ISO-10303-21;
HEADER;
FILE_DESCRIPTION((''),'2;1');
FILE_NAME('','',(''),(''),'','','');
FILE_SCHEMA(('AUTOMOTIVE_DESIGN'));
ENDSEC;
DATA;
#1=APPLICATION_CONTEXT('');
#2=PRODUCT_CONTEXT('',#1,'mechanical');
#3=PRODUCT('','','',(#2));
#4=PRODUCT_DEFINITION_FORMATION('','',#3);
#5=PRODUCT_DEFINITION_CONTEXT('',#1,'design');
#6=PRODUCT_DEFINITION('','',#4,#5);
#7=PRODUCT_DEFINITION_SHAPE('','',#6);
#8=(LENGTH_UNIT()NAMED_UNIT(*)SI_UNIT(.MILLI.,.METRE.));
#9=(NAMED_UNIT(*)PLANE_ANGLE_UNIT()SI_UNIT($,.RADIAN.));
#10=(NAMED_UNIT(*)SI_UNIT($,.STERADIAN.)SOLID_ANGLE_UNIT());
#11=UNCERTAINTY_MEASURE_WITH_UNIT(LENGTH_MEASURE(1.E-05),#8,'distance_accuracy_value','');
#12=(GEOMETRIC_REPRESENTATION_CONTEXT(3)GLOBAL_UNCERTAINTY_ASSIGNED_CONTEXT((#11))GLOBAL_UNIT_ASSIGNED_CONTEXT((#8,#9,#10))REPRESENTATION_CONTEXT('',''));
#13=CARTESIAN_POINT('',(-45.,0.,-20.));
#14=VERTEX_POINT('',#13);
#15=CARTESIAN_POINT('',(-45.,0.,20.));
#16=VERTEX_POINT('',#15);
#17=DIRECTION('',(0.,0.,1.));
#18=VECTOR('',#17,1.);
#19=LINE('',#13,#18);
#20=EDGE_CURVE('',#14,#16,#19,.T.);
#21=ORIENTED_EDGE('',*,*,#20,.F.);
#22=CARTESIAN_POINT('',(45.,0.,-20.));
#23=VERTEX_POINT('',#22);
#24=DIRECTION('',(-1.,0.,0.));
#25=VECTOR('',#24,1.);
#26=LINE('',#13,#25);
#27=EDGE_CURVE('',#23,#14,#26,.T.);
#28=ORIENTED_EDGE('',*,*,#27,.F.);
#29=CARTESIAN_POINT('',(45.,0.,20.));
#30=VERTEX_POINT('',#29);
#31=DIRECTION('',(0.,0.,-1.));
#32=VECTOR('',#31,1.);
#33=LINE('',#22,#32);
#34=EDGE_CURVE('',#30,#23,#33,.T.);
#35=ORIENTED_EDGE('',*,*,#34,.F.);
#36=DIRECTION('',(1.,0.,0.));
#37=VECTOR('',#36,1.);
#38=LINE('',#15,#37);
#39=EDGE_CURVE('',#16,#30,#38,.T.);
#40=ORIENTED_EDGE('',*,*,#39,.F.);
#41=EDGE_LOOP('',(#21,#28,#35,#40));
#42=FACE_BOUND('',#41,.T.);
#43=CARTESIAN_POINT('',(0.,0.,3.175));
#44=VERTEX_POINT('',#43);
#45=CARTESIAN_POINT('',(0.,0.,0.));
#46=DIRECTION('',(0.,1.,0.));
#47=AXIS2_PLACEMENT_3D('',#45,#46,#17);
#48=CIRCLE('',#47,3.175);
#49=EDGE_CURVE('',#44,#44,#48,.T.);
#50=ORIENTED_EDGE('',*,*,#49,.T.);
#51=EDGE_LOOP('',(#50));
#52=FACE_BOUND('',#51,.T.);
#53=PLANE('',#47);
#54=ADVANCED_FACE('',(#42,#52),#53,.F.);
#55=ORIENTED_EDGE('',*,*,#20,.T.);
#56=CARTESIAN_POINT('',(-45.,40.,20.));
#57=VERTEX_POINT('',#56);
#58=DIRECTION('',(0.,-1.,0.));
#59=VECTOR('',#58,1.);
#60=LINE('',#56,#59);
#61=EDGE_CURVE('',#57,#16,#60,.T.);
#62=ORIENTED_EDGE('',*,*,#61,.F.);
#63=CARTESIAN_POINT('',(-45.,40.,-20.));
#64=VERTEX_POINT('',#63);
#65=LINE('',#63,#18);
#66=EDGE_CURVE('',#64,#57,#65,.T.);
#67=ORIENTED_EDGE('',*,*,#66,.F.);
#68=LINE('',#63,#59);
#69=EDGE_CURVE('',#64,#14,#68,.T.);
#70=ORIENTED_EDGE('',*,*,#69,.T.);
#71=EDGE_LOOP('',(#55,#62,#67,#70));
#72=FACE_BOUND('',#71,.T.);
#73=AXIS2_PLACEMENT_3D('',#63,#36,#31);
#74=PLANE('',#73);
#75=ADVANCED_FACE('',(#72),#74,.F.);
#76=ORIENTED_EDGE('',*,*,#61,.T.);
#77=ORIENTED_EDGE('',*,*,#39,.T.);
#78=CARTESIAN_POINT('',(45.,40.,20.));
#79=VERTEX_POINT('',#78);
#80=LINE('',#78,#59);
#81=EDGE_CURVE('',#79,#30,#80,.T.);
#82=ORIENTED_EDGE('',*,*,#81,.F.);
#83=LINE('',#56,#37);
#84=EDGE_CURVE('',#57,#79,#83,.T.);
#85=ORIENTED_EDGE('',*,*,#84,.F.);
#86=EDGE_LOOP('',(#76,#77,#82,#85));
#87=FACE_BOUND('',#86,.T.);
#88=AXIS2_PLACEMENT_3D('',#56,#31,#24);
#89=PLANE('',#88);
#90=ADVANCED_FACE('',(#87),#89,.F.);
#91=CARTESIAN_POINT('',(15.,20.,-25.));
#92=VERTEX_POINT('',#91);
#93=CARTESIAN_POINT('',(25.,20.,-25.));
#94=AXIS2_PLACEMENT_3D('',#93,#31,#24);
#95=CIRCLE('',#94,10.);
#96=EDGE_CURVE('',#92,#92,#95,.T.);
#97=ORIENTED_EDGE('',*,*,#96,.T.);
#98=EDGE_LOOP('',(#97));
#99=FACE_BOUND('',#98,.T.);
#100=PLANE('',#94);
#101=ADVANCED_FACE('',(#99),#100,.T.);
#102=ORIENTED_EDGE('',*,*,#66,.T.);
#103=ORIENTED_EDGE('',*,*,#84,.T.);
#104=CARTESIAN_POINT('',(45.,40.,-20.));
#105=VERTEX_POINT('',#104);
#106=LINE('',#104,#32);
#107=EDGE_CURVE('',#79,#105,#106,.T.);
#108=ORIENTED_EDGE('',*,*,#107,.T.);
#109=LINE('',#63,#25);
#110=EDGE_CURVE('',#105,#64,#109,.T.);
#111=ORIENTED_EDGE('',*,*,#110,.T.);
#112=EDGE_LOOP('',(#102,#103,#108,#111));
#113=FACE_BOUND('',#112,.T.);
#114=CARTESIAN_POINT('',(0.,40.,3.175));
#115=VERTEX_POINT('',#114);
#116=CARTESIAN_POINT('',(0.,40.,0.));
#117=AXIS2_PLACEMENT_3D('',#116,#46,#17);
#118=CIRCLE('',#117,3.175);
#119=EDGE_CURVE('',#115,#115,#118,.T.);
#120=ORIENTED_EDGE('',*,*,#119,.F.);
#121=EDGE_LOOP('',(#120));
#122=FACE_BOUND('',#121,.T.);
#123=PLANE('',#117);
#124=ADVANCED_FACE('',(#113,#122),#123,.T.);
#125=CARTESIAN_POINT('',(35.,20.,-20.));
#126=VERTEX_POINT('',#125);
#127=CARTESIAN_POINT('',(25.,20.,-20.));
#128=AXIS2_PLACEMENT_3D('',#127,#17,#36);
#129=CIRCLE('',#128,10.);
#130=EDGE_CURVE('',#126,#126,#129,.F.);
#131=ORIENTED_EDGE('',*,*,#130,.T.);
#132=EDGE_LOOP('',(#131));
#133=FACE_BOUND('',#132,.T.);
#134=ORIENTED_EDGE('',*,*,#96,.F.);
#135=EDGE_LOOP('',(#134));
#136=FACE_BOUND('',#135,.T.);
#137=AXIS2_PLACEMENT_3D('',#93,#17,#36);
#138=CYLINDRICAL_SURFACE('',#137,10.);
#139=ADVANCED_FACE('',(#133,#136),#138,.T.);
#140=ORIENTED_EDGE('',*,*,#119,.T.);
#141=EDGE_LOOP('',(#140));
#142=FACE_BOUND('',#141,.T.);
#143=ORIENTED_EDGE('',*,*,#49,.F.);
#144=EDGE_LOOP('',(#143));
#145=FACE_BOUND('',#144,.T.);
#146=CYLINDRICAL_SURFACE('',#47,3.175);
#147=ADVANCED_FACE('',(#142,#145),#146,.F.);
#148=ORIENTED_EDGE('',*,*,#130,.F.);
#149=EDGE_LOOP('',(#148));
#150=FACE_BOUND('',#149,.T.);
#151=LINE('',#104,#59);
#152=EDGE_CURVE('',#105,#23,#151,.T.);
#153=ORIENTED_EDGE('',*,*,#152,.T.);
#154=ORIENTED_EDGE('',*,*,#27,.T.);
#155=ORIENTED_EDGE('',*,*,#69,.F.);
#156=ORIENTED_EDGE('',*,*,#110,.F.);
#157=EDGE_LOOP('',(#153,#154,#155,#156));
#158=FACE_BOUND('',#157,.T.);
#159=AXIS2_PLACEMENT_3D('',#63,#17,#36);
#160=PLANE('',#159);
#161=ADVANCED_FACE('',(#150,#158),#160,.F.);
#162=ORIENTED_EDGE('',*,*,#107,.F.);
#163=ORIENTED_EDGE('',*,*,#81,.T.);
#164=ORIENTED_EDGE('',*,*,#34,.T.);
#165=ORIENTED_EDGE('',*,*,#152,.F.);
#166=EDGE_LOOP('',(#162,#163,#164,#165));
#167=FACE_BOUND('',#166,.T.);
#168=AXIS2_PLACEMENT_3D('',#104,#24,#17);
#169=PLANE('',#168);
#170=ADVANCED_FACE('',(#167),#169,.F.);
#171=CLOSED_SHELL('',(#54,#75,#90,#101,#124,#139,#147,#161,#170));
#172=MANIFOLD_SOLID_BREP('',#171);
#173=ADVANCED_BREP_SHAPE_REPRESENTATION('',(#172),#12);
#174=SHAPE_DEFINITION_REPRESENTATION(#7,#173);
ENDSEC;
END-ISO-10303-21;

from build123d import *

# Parameters (mm, degrees)
SKETCH1_W           = 90
SKETCH1_H           = 40
BOSS_EXTRUDE1_DEPTH = 40
SKETCH2_R           = 10
BOSS_EXTRUDE2_DEPTH = 5
SKETCH3_R           = 3.175
CUT_EXTRUDE1_DEPTH  = 41


with BuildPart() as part:
    # Sketch1 → Boss-Extrude1 (new body)
    with BuildSketch(Plane(origin=(0, 0, 0), x_dir=(1, 0, 0), z_dir=(0, 1, 0))):
        Rectangle(SKETCH1_W, SKETCH1_H)
    extrude(amount=BOSS_EXTRUDE1_DEPTH)

    # Sketch2 → Boss-Extrude2 (add)
    with BuildSketch(Plane(origin=(0, 0, -20), x_dir=(-1, 0, 0), z_dir=(0, 0, -1))):
        with Locations((-25, 20)):
            Circle(SKETCH2_R)
    extrude(amount=BOSS_EXTRUDE2_DEPTH)

    # Sketch3 → Cut-Extrude1 (cut, through all)
    with BuildSketch(Plane(origin=(0, 40, 0), x_dir=(1, 0, 0), z_dir=(0, 1, 0))):
        Circle(SKETCH3_R)
    extrude(amount=-CUT_EXTRUDE1_DEPTH, mode=Mode.SUBTRACT)


solid = part.part
